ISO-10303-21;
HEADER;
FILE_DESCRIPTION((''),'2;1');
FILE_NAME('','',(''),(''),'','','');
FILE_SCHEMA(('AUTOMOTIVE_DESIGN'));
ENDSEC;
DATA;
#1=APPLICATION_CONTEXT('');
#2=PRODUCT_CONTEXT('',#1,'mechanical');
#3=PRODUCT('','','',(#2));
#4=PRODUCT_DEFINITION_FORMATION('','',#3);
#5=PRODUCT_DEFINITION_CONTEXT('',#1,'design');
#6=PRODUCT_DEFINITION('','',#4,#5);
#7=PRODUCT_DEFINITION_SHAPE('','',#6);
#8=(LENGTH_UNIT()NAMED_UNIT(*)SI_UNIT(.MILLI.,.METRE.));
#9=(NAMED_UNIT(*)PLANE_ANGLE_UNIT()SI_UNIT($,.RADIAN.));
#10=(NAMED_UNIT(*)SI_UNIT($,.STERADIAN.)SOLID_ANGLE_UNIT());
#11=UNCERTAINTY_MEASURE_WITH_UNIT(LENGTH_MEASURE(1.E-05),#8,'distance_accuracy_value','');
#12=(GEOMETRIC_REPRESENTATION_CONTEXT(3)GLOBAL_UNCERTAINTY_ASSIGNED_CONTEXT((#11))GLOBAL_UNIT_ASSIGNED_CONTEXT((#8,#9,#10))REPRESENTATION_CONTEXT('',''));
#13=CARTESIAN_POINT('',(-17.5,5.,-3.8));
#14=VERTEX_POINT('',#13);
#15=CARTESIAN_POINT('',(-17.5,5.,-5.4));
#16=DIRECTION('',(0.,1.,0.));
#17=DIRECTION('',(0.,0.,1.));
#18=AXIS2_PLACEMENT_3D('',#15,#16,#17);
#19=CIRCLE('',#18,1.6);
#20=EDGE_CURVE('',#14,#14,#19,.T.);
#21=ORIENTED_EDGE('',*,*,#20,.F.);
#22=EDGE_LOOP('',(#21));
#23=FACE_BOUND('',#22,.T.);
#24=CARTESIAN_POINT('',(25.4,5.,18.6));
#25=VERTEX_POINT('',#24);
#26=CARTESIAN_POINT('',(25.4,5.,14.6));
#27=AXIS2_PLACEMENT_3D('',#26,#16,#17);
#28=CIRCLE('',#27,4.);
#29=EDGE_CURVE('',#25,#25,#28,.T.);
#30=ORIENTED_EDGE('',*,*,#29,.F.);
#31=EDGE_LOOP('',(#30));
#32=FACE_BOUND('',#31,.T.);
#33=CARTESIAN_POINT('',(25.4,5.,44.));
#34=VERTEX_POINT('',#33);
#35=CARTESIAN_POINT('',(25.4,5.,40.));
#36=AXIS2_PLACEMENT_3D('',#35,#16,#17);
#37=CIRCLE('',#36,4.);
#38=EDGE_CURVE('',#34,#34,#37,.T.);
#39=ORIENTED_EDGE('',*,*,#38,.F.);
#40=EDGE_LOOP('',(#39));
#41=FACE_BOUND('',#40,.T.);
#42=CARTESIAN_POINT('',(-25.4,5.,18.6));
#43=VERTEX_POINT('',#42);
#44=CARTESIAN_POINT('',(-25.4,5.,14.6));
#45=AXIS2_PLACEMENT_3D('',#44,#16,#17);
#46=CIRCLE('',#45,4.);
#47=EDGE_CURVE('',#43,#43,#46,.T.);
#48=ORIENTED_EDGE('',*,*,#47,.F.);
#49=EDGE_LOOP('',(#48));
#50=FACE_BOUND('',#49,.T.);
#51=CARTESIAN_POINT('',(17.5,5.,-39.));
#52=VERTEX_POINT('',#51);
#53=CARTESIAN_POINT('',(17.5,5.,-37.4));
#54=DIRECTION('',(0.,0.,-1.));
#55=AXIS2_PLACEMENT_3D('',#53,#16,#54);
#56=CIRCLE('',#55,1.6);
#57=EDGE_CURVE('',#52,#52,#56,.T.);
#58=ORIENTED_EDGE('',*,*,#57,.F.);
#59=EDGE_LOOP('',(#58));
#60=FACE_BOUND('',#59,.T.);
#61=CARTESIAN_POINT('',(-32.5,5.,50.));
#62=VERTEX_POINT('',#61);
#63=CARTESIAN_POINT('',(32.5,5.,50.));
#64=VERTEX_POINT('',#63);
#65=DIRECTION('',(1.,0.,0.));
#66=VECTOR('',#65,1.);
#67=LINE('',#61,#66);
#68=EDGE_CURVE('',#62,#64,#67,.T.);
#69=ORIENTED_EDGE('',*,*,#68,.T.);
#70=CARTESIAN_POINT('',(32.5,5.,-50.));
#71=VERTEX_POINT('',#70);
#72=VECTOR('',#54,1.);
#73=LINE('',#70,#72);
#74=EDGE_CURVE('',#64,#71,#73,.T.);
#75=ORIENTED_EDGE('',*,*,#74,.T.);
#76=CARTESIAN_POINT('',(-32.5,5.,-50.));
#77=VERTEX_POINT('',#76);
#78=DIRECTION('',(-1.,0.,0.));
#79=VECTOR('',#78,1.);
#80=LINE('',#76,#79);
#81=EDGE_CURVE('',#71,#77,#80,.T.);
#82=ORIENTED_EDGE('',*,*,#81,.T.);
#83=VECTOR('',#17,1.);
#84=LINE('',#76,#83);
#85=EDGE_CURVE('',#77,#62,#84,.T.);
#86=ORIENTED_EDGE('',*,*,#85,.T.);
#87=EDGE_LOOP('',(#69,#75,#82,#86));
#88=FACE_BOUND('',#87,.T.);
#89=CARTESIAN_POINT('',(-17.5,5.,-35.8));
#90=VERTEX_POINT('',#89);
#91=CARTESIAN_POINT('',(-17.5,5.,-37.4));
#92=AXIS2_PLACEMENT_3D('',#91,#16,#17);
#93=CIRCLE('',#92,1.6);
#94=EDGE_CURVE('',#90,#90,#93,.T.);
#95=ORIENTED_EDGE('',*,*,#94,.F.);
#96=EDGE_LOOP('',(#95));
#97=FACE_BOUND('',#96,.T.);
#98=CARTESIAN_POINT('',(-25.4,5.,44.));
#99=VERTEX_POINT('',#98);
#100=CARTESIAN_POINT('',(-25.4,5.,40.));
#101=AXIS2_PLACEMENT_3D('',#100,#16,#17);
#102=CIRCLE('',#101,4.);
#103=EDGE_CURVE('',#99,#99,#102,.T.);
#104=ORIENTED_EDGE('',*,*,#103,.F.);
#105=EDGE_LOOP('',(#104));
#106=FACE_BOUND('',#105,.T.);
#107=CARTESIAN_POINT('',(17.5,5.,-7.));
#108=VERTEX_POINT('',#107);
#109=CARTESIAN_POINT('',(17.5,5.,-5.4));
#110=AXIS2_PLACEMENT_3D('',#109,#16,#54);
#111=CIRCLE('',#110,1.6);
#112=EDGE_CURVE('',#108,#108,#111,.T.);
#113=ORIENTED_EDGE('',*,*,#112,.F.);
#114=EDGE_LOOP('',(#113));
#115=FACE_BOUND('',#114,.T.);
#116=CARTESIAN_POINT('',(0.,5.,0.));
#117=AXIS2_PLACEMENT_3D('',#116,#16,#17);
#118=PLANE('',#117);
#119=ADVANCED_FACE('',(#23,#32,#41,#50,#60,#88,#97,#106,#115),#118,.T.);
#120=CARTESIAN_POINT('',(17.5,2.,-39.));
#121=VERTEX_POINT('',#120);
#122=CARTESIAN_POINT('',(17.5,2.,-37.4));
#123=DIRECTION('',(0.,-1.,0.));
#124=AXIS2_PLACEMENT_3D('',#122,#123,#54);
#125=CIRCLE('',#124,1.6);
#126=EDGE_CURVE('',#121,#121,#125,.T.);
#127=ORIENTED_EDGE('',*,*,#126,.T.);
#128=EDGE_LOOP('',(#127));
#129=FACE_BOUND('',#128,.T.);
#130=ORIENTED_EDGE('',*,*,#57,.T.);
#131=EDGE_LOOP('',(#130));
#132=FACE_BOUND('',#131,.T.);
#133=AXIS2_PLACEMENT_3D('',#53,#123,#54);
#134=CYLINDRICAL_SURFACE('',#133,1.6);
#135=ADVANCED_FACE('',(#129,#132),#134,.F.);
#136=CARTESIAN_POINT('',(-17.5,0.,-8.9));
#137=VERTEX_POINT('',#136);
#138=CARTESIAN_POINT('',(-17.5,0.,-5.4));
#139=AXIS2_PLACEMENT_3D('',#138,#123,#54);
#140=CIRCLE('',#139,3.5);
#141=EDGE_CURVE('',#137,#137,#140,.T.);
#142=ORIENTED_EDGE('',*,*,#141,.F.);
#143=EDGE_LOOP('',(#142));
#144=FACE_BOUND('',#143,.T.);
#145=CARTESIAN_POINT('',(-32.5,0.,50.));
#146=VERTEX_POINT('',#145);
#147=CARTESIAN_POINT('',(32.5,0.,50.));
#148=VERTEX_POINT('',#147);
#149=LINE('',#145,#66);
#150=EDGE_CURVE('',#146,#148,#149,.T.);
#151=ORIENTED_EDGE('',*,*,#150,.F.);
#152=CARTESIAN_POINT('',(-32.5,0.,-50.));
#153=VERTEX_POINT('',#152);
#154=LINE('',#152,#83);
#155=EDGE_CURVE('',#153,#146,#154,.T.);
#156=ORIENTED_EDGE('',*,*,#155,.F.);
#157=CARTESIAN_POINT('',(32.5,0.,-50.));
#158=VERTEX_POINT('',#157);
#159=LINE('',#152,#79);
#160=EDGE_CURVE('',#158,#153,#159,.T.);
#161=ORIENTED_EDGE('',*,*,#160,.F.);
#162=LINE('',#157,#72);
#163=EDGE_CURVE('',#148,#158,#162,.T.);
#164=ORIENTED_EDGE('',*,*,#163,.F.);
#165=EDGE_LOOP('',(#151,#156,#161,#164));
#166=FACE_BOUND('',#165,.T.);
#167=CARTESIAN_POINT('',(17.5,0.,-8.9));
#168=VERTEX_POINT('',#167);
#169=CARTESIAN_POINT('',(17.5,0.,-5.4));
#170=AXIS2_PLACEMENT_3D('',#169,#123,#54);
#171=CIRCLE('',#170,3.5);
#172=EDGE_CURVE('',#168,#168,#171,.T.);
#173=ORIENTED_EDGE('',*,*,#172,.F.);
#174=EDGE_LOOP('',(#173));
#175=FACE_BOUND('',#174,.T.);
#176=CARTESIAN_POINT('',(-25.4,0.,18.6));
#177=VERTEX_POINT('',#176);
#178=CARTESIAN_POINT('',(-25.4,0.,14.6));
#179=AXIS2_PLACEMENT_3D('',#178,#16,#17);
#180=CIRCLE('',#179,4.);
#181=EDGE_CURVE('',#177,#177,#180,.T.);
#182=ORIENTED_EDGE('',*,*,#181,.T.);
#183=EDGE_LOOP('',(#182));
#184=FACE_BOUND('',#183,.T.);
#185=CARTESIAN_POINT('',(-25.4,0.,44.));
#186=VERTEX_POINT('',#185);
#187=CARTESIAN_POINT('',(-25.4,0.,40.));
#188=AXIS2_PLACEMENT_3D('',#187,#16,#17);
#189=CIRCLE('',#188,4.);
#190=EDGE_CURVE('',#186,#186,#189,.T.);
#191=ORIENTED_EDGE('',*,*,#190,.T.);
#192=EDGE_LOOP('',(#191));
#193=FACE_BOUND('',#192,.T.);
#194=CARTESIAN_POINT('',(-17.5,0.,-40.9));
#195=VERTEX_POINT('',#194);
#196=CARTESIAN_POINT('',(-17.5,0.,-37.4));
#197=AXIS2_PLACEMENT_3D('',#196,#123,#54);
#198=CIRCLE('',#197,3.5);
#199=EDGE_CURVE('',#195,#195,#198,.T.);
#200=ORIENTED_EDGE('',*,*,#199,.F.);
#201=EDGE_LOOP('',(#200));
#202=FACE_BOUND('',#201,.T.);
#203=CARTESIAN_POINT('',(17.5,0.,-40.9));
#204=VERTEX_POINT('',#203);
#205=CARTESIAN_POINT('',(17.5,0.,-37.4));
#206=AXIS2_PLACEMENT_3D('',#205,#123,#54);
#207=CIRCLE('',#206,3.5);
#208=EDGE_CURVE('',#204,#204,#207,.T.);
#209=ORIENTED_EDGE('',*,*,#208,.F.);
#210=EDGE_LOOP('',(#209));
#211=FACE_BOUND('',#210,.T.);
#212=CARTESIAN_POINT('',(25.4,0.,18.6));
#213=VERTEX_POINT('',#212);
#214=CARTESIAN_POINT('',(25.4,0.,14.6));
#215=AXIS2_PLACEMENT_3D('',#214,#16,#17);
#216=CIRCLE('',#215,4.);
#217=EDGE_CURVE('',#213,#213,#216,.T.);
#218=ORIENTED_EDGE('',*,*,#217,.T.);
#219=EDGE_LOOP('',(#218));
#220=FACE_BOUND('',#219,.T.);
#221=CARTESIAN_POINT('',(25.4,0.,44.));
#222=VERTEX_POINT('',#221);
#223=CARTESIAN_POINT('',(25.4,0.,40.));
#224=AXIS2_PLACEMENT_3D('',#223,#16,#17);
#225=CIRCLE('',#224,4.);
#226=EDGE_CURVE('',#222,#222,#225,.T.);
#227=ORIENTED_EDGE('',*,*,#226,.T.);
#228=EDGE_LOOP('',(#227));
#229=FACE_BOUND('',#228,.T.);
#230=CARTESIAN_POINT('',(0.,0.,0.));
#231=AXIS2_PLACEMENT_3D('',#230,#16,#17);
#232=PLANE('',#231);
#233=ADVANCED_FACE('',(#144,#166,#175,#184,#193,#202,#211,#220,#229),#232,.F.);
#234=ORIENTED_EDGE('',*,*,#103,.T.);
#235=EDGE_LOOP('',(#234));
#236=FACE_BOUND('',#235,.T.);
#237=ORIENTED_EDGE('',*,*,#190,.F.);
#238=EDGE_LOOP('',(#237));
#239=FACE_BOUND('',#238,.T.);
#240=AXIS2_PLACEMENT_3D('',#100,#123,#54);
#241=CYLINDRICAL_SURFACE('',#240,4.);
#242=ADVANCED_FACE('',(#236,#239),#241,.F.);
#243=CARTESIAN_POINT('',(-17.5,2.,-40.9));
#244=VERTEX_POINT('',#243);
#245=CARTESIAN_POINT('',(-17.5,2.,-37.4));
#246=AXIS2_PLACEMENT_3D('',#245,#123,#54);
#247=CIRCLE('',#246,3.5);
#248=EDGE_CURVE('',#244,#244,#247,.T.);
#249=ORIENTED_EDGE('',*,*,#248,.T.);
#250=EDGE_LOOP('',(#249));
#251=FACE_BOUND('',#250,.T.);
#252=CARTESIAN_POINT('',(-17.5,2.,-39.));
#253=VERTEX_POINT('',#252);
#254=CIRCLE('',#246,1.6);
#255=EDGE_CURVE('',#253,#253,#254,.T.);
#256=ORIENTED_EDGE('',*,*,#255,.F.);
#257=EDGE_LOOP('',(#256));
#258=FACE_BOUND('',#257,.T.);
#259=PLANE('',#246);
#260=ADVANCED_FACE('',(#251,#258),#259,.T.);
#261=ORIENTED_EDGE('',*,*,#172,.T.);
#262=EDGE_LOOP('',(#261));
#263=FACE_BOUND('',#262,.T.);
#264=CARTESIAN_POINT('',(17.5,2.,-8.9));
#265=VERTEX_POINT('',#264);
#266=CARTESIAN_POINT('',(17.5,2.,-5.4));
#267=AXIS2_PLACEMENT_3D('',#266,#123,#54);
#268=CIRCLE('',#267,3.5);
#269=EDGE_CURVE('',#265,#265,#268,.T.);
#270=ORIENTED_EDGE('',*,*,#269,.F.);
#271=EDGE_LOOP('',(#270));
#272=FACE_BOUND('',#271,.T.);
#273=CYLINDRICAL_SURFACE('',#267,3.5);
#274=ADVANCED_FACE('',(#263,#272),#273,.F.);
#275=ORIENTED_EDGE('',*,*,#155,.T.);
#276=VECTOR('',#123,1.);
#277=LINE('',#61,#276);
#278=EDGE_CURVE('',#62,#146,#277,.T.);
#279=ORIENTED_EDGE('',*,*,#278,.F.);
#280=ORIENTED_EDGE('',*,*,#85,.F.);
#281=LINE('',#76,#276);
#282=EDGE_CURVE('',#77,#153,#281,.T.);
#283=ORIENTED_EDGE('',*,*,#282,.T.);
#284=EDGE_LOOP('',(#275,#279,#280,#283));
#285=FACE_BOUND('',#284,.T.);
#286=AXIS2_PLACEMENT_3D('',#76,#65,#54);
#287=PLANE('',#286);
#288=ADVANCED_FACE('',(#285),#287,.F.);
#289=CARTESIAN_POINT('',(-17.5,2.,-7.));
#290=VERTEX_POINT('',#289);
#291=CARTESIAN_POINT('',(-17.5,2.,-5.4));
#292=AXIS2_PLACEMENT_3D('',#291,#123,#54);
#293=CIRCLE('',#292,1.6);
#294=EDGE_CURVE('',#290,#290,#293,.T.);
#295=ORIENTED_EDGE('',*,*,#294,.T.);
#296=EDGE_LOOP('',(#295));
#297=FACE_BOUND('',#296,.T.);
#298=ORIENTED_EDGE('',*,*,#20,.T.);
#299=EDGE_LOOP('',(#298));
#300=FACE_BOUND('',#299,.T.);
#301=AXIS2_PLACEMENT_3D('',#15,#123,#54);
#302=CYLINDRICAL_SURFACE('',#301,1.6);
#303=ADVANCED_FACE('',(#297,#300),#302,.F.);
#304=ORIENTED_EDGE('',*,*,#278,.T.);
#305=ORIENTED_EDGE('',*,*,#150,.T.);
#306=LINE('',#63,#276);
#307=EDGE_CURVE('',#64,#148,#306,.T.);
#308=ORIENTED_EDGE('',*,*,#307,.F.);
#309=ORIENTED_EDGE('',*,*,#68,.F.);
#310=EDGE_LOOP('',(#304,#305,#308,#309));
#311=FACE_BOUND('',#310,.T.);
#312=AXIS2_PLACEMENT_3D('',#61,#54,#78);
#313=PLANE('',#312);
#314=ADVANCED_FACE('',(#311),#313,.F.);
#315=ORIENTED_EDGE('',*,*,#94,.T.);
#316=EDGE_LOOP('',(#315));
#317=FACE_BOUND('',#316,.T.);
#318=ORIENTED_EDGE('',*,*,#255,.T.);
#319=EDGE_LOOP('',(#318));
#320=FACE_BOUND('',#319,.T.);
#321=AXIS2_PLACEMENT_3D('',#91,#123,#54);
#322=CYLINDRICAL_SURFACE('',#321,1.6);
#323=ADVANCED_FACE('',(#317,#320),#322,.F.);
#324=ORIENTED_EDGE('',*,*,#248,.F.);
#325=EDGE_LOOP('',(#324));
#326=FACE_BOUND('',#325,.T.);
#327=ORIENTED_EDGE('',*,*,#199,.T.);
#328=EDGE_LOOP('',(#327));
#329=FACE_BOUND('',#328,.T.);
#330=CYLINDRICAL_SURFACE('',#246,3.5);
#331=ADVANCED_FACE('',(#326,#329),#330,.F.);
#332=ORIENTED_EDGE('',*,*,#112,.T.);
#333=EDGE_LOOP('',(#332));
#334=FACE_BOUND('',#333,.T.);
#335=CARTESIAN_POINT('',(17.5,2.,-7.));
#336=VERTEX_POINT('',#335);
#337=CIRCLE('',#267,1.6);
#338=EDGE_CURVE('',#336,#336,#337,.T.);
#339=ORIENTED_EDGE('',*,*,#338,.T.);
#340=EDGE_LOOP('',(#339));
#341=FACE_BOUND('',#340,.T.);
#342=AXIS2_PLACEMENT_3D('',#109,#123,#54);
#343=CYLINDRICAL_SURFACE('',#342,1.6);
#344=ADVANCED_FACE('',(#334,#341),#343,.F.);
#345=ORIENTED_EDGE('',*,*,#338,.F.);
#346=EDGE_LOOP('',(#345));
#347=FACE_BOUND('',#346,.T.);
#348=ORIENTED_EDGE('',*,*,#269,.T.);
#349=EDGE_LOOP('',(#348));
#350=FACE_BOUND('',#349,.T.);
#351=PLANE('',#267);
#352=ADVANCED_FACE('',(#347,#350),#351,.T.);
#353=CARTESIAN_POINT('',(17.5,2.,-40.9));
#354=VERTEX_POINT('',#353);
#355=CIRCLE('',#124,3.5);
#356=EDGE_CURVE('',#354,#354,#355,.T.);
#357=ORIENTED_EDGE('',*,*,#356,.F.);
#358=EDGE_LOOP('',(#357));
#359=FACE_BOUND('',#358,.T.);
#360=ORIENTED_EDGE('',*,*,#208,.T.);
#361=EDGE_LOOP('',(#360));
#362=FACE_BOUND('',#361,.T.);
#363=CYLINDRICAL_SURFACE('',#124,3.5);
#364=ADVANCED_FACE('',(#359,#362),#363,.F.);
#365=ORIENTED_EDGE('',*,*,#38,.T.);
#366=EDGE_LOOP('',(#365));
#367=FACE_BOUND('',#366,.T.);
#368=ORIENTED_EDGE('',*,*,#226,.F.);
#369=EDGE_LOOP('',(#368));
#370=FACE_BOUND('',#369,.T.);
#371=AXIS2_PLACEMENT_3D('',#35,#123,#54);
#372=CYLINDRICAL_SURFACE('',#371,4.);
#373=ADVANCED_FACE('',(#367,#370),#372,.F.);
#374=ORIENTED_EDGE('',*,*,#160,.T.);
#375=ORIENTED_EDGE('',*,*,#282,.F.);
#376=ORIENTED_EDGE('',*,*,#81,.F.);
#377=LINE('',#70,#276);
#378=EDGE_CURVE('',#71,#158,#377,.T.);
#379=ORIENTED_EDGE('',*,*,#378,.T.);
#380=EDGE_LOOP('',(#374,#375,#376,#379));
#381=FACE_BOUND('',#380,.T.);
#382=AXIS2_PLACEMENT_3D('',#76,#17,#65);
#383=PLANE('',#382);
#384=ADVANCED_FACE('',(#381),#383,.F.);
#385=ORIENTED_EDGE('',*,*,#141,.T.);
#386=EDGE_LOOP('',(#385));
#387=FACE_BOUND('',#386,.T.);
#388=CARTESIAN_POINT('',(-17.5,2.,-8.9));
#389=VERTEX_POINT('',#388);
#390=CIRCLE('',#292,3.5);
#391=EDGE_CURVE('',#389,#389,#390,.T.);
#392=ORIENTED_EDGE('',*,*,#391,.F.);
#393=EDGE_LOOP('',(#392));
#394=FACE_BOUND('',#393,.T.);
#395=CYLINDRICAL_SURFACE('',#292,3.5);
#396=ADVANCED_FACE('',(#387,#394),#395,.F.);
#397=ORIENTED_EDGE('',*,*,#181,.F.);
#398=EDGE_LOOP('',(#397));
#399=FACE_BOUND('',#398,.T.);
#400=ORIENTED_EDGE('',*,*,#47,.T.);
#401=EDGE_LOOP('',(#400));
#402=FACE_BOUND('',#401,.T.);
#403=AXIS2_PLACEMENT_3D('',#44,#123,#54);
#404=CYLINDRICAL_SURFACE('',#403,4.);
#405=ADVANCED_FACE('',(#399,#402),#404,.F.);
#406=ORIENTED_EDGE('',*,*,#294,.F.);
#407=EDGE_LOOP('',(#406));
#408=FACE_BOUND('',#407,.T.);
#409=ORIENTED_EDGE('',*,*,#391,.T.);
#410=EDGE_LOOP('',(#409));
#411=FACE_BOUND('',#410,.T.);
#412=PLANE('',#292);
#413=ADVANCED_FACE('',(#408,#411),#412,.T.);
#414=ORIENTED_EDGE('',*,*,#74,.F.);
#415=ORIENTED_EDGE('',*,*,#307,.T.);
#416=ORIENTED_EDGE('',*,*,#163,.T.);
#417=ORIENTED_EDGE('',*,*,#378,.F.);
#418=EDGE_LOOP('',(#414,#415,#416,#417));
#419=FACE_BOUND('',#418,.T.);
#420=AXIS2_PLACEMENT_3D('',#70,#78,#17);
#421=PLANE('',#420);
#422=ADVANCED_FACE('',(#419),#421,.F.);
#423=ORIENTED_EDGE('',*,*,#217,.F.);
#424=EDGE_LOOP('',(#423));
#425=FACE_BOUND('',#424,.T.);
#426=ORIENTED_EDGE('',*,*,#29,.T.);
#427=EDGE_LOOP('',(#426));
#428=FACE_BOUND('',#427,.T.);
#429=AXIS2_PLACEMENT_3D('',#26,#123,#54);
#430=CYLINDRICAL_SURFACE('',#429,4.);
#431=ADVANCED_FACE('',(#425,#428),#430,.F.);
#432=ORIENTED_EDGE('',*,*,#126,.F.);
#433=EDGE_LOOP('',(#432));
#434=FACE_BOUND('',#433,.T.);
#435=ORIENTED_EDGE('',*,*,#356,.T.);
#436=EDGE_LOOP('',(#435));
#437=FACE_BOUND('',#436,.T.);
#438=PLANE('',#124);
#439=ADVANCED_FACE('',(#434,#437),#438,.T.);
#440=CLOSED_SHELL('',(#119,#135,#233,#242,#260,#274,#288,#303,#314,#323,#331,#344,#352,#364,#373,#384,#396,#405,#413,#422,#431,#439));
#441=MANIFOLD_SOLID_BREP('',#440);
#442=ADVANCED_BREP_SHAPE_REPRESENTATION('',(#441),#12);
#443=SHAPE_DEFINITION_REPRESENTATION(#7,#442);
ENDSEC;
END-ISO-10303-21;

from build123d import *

# Parameters (mm, degrees)
SKETCH1_W           = 65
SKETCH1_H           = 100
SKETCH1_R           = 4
SKETCH1_R_2         = 1.6
BOSS_EXTRUDE1_DEPTH = 5
SKETCH3_R           = 3.5
CUT_EXTRUDE1_DEPTH  = 2


with BuildPart() as part:
    # Sketch1 → Boss-Extrude1 (new body)
    with BuildSketch(Plane(origin=(0, 0, 0), x_dir=(1, 0, 0), z_dir=(0, 1, 0))):
        Rectangle(SKETCH1_W, SKETCH1_H)
        with Locations((-25.4, -40)):
            Circle(SKETCH1_R, mode=Mode.SUBTRACT)
        with Locations((25.4, -40)):
            Circle(SKETCH1_R, mode=Mode.SUBTRACT)
        with Locations((25.4, -14.6)):
            Circle(SKETCH1_R, mode=Mode.SUBTRACT)
        with Locations((-25.4, -14.6)):
            Circle(SKETCH1_R, mode=Mode.SUBTRACT)
        with Locations((-17.5, 5.4)):
            Circle(SKETCH1_R_2, mode=Mode.SUBTRACT)
        with Locations((17.5, 37.4)):
            Circle(SKETCH1_R_2, mode=Mode.SUBTRACT)
        with Locations((-17.5, 37.4)):
            Circle(SKETCH1_R_2, mode=Mode.SUBTRACT)
        with Locations((17.5, 5.4)):
            Circle(SKETCH1_R_2, mode=Mode.SUBTRACT)
    extrude(amount=BOSS_EXTRUDE1_DEPTH)

    # Sketch3 → Cut-Extrude1 (cut)
    with BuildSketch(Plane.XZ):
        with Locations((-17.5, -5.4)):
            Circle(SKETCH3_R)
        with Locations((17.5, -5.4)):
            Circle(SKETCH3_R)
        with Locations((-17.5, -37.4)):
            Circle(SKETCH3_R)
        with Locations((17.5, -37.4)):
            Circle(SKETCH3_R)
    extrude(amount=-CUT_EXTRUDE1_DEPTH, mode=Mode.SUBTRACT)


solid = part.part
